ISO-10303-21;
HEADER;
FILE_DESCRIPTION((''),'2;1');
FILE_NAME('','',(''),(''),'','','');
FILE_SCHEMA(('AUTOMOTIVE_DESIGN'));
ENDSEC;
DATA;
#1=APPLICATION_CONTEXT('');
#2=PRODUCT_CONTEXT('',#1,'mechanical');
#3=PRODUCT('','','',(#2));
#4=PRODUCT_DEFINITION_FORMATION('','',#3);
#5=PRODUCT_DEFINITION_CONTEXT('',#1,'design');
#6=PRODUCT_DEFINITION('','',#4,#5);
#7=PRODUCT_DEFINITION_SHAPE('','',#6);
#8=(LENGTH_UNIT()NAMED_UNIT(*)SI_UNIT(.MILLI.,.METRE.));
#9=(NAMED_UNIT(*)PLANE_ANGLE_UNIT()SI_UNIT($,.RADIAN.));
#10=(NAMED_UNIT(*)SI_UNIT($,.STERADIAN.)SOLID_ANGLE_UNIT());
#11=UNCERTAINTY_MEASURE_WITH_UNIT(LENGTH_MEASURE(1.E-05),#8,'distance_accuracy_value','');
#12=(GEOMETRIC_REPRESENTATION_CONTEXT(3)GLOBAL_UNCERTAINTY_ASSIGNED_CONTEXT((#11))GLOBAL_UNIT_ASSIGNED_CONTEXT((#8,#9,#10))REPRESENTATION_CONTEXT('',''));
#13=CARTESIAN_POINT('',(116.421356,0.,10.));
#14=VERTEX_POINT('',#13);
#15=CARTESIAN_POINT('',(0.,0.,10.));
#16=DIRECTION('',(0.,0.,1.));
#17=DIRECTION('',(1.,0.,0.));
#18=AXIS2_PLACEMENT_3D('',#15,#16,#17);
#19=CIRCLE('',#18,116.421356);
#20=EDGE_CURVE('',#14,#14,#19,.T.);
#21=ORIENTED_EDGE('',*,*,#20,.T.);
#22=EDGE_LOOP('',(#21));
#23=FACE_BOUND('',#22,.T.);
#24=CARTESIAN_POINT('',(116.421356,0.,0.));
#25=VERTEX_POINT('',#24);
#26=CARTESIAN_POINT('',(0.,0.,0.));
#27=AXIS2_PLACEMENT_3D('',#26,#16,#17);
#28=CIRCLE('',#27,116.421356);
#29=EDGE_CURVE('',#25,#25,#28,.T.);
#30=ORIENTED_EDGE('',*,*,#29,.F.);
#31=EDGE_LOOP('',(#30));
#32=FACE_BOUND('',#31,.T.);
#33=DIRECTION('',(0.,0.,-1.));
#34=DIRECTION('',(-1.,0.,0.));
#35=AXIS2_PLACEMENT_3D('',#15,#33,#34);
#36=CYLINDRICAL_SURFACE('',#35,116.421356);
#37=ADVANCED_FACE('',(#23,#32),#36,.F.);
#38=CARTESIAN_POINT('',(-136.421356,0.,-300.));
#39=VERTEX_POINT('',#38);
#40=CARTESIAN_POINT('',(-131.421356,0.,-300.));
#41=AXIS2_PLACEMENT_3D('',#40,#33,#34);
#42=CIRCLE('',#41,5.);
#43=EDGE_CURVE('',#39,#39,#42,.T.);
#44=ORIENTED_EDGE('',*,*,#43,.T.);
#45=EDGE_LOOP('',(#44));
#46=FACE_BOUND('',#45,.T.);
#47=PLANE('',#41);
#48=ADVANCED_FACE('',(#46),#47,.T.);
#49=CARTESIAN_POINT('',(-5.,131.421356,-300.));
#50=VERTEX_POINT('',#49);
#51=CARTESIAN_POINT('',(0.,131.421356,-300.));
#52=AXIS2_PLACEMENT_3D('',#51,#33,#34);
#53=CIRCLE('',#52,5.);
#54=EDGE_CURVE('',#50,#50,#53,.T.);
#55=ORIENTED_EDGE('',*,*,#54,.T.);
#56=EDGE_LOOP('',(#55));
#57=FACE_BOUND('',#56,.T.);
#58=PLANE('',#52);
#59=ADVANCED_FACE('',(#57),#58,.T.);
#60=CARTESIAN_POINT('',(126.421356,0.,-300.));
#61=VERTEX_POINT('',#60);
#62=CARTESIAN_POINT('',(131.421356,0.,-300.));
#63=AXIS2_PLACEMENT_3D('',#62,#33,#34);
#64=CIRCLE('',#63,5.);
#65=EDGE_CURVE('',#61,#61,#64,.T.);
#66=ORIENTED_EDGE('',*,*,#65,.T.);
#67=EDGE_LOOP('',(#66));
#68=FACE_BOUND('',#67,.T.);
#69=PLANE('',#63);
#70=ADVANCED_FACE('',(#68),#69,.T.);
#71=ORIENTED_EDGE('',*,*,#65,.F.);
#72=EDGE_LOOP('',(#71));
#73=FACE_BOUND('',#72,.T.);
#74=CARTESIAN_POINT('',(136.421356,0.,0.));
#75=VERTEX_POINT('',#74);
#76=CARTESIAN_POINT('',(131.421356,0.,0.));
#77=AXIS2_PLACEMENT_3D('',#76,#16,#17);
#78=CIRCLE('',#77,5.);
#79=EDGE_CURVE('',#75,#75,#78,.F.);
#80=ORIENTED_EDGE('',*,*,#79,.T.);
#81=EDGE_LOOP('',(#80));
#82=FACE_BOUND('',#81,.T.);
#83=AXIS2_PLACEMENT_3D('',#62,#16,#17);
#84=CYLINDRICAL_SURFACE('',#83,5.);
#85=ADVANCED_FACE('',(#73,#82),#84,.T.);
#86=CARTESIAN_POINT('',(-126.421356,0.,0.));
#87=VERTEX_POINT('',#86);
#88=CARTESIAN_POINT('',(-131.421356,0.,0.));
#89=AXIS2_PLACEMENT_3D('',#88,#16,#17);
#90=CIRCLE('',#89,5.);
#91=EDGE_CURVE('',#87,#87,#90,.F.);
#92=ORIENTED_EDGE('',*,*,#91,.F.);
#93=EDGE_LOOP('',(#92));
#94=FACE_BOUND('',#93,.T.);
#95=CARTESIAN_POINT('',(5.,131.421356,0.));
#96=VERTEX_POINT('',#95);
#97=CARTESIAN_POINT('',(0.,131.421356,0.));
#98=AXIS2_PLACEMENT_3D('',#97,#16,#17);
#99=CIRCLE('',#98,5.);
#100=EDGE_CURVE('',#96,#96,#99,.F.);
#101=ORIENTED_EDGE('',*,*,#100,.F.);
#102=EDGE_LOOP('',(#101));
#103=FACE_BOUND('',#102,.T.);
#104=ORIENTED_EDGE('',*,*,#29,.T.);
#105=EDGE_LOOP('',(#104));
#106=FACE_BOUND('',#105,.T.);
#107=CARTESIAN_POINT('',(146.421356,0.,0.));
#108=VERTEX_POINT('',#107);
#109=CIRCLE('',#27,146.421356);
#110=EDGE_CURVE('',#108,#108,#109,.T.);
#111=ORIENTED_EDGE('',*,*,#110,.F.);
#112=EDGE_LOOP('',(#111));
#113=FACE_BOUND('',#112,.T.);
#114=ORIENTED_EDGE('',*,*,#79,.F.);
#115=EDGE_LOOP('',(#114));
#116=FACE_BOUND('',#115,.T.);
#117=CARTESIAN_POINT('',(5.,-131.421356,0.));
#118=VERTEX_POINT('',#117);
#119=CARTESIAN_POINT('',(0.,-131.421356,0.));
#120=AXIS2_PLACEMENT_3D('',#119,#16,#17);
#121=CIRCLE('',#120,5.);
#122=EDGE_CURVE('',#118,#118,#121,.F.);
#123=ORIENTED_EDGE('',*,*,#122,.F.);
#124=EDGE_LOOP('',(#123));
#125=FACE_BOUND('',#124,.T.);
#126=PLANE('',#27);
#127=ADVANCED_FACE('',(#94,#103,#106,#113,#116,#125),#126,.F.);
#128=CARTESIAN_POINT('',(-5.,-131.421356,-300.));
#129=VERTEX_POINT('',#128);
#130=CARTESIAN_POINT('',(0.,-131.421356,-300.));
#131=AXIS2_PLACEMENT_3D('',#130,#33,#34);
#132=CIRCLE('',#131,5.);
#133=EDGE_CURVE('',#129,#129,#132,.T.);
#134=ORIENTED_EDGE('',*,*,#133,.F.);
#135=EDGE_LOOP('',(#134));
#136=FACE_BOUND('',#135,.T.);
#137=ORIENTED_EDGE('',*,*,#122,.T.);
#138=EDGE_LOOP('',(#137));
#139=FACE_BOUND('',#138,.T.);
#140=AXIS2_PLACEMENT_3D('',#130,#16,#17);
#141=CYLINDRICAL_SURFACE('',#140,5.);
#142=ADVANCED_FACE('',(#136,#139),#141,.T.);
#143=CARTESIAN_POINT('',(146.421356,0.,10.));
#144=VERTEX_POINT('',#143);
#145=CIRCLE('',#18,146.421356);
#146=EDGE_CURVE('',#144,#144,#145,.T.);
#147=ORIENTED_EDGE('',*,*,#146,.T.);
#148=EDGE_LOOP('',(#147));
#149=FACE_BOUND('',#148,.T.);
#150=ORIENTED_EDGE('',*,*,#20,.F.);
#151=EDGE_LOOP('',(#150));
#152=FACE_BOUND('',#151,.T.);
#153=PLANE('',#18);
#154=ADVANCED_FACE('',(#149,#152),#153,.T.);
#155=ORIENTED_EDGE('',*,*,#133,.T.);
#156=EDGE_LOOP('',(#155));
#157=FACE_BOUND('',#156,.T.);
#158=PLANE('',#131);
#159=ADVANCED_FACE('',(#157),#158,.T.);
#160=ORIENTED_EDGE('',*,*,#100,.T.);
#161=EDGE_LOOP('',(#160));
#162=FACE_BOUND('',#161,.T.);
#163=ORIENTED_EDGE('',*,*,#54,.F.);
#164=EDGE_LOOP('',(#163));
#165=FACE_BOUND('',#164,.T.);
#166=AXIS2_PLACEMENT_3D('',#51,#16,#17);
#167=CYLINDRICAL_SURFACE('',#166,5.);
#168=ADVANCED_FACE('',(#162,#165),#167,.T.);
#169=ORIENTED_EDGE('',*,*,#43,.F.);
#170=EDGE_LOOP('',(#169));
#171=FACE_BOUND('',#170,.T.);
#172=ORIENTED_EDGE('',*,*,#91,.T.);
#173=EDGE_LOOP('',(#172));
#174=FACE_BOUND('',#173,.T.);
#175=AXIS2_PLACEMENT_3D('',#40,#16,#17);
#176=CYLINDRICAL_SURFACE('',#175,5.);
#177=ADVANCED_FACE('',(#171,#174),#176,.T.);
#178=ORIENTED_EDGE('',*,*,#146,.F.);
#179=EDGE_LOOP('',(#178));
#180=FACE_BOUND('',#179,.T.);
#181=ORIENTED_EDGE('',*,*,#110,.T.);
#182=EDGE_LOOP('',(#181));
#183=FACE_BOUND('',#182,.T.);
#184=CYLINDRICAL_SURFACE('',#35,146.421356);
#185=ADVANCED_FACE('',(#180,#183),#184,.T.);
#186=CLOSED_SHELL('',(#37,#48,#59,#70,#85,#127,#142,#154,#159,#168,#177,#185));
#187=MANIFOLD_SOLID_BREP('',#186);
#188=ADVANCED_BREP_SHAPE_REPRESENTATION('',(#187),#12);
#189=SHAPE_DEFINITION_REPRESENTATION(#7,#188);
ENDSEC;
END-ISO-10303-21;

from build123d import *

# Parameters (mm, degrees)
SKETCH2_R           = 146.421356237
SKETCH2_R_2         = 116.421356237
BOSS_EXTRUDE1_DEPTH = 10
SKETCH7_R           = 5
BOSS_EXTRUDE3_DEPTH = 300


with BuildPart() as part:
    # Sketch2 → Boss-Extrude1 (new body)
    with BuildSketch(Plane.XY):
        Circle(SKETCH2_R)
        Circle(SKETCH2_R_2, mode=Mode.SUBTRACT)
    extrude(amount=BOSS_EXTRUDE1_DEPTH)

    # Sketch7 → Boss-Extrude3 (add)
    with BuildSketch(Plane(origin=(0, 0, 0), x_dir=(-1, 0, 0), z_dir=(0, 0, -1))):
        with Locations((-131.421356237, 0)):
            Circle(SKETCH7_R)
        with Locations((0, 131.421356237)):
            Circle(SKETCH7_R)
        with Locations((131.421356237, 0)):
            Circle(SKETCH7_R)
        with Locations((0, -131.421356237)):
            Circle(SKETCH7_R)
    extrude(amount=BOSS_EXTRUDE3_DEPTH)


solid = part.part
